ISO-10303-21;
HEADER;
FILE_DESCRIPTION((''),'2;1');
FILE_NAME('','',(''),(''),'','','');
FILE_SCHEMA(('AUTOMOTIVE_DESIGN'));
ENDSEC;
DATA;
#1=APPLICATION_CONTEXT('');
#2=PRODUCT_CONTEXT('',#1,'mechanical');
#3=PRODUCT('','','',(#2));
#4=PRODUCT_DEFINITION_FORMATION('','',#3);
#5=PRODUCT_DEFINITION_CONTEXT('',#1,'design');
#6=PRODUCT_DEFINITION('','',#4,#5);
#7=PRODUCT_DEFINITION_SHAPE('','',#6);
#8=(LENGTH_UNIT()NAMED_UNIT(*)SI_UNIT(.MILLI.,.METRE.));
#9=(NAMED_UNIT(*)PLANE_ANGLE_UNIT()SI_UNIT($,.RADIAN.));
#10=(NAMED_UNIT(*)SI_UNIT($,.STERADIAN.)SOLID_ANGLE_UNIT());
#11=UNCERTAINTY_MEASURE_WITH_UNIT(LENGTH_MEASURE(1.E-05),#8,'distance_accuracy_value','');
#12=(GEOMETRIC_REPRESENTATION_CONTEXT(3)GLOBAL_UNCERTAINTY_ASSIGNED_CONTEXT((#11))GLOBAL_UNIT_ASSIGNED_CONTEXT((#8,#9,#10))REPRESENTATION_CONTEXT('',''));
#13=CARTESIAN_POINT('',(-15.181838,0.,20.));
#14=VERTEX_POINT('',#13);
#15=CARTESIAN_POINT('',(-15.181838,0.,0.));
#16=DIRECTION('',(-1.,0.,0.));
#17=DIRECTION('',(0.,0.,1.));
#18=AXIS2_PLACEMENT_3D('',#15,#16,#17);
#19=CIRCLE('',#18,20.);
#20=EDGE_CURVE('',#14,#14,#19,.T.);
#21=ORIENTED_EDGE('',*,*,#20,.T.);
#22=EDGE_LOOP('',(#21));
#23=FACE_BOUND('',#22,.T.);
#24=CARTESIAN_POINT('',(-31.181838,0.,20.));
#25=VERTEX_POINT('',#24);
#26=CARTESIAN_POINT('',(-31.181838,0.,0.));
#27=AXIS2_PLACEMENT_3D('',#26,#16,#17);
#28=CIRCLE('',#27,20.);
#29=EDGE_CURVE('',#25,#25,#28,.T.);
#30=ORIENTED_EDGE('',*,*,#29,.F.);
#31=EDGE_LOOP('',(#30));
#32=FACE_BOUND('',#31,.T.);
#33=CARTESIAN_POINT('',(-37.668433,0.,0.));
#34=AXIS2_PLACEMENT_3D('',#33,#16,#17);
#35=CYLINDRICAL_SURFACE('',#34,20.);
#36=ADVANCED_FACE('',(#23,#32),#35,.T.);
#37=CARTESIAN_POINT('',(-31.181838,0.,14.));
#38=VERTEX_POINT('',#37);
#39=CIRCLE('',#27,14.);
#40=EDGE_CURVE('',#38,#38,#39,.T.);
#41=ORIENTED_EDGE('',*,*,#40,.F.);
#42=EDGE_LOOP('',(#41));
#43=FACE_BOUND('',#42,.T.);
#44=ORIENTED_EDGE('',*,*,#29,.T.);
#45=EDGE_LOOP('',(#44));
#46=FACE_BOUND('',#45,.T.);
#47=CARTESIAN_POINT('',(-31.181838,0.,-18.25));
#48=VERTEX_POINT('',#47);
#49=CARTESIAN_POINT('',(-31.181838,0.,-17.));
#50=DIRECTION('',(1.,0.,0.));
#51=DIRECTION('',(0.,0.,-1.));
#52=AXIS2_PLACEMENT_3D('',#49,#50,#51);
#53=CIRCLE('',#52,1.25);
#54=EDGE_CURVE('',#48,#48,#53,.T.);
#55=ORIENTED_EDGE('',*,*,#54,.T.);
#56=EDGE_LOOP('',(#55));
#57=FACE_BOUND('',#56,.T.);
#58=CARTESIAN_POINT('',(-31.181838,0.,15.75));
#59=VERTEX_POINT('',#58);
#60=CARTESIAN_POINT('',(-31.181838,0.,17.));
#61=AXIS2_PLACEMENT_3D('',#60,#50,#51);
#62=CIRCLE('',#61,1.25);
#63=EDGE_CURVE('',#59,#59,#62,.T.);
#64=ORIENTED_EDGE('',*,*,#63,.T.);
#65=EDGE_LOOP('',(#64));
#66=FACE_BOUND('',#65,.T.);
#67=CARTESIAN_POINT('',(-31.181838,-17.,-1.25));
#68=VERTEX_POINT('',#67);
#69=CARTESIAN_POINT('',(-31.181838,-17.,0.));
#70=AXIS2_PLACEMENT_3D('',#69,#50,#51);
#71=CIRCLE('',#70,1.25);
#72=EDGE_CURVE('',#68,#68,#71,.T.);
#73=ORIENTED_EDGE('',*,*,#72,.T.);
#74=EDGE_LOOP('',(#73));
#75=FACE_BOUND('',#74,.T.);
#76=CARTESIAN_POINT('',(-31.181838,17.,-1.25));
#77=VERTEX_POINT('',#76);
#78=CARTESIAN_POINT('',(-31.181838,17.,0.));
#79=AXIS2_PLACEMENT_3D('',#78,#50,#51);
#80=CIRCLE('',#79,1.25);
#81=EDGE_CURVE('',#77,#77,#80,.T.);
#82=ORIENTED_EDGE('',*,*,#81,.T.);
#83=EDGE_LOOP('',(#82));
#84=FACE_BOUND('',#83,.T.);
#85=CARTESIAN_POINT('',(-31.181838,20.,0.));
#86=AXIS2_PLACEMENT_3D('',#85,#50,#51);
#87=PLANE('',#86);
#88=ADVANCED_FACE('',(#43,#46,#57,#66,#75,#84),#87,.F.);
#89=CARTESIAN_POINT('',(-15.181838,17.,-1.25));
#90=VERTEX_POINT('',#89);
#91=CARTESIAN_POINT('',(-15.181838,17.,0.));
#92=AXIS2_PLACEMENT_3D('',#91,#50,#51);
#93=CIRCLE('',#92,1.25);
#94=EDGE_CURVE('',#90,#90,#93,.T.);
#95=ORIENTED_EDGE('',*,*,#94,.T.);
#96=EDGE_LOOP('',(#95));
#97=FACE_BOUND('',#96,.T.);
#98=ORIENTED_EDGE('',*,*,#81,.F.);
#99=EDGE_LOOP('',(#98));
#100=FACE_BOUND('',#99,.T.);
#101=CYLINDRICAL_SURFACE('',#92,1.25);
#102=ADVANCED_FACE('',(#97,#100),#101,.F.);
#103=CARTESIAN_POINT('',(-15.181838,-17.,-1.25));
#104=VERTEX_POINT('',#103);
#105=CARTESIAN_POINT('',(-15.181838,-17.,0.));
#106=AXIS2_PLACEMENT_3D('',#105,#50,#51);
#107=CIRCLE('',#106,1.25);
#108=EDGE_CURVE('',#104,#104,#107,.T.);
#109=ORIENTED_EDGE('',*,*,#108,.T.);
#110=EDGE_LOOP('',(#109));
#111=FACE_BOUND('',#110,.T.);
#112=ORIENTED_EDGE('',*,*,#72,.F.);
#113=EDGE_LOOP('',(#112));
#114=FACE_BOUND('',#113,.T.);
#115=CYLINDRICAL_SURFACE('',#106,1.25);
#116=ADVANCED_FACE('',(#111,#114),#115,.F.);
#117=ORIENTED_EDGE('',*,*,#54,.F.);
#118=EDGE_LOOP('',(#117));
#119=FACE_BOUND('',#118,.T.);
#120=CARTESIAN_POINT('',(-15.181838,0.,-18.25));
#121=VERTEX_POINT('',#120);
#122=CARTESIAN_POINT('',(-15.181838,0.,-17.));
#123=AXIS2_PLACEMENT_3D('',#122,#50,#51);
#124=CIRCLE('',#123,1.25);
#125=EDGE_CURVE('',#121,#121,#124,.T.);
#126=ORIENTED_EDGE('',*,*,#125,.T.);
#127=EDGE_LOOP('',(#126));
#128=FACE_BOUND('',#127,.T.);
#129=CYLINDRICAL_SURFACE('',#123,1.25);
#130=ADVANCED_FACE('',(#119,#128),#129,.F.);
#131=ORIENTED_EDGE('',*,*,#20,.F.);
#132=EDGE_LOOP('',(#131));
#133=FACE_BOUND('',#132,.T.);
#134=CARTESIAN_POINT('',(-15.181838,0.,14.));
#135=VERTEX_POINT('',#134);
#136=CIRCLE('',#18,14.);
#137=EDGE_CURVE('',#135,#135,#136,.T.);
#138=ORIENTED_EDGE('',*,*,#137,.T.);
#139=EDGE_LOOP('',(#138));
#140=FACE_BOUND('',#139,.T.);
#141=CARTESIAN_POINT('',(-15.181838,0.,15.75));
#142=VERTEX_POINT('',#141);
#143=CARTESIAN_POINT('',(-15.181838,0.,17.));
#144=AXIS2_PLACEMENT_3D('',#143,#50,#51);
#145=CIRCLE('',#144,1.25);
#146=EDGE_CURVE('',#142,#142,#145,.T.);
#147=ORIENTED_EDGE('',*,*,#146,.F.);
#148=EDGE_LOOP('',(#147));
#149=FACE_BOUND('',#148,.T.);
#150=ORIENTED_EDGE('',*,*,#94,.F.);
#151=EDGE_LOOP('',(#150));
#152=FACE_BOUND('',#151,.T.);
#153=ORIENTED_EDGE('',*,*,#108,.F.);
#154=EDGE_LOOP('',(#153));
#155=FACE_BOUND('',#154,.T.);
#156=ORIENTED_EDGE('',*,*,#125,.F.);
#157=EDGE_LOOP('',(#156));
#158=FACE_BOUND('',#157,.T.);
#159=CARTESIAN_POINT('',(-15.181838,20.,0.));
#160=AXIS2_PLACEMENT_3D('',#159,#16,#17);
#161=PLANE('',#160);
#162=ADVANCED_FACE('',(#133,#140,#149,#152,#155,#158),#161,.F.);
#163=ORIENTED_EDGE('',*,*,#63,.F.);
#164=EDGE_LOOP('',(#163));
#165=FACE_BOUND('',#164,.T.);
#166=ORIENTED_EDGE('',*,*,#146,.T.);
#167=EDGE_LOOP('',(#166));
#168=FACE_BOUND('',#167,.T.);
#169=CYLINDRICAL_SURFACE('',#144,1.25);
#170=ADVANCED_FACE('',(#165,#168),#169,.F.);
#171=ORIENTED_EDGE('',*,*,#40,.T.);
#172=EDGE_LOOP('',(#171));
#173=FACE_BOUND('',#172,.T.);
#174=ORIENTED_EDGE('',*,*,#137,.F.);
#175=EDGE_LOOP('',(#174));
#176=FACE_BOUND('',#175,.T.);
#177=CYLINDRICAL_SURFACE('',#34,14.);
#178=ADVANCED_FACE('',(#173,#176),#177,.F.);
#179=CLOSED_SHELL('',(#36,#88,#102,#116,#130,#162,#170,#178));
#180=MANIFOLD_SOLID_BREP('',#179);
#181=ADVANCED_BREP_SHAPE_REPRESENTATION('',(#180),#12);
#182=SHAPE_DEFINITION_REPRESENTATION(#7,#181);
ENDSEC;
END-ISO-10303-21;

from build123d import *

# Parameters (mm, degrees)
M3_GEWINDEBOHRUNG1_D = 2.5
KREISMUSTER2_COUNT   = 4


with BuildPart() as part:
    # Skizze1 → Rotation1 (revolve)
    with BuildSketch(Plane.XY):
        Polygon((-31.181837907, 20), (-31.181837907, 14), (-29.181837907, 14), (-15.181837907, 14), (-15.181837907, 20), align=None)
    revolve(axis=Axis((-37.668433178, 0, 0), (1, 0, 0)))

    # M3 Gewindebohrung1 (through all)
    with Locations(Plane(origin=(-15.181837907, 0, 0), x_dir=(0, 0, -1), z_dir=(1, 0, 0))):
        with Locations((0, 17)):
            m3_gewindebohrung1 = Hole(M3_GEWINDEBOHRUNG1_D / 2)

    # Kreismuster2: M3 Gewindebohrung1 ×4 about axis
    kreismuster2_axis = Axis((-15.181837907, 0, 0), (-1, 0, 0))
    for i in range(1, KREISMUSTER2_COUNT):
        add(m3_gewindebohrung1.rotate(kreismuster2_axis, i * 360 / KREISMUSTER2_COUNT), mode=Mode.SUBTRACT)


solid = part.part
